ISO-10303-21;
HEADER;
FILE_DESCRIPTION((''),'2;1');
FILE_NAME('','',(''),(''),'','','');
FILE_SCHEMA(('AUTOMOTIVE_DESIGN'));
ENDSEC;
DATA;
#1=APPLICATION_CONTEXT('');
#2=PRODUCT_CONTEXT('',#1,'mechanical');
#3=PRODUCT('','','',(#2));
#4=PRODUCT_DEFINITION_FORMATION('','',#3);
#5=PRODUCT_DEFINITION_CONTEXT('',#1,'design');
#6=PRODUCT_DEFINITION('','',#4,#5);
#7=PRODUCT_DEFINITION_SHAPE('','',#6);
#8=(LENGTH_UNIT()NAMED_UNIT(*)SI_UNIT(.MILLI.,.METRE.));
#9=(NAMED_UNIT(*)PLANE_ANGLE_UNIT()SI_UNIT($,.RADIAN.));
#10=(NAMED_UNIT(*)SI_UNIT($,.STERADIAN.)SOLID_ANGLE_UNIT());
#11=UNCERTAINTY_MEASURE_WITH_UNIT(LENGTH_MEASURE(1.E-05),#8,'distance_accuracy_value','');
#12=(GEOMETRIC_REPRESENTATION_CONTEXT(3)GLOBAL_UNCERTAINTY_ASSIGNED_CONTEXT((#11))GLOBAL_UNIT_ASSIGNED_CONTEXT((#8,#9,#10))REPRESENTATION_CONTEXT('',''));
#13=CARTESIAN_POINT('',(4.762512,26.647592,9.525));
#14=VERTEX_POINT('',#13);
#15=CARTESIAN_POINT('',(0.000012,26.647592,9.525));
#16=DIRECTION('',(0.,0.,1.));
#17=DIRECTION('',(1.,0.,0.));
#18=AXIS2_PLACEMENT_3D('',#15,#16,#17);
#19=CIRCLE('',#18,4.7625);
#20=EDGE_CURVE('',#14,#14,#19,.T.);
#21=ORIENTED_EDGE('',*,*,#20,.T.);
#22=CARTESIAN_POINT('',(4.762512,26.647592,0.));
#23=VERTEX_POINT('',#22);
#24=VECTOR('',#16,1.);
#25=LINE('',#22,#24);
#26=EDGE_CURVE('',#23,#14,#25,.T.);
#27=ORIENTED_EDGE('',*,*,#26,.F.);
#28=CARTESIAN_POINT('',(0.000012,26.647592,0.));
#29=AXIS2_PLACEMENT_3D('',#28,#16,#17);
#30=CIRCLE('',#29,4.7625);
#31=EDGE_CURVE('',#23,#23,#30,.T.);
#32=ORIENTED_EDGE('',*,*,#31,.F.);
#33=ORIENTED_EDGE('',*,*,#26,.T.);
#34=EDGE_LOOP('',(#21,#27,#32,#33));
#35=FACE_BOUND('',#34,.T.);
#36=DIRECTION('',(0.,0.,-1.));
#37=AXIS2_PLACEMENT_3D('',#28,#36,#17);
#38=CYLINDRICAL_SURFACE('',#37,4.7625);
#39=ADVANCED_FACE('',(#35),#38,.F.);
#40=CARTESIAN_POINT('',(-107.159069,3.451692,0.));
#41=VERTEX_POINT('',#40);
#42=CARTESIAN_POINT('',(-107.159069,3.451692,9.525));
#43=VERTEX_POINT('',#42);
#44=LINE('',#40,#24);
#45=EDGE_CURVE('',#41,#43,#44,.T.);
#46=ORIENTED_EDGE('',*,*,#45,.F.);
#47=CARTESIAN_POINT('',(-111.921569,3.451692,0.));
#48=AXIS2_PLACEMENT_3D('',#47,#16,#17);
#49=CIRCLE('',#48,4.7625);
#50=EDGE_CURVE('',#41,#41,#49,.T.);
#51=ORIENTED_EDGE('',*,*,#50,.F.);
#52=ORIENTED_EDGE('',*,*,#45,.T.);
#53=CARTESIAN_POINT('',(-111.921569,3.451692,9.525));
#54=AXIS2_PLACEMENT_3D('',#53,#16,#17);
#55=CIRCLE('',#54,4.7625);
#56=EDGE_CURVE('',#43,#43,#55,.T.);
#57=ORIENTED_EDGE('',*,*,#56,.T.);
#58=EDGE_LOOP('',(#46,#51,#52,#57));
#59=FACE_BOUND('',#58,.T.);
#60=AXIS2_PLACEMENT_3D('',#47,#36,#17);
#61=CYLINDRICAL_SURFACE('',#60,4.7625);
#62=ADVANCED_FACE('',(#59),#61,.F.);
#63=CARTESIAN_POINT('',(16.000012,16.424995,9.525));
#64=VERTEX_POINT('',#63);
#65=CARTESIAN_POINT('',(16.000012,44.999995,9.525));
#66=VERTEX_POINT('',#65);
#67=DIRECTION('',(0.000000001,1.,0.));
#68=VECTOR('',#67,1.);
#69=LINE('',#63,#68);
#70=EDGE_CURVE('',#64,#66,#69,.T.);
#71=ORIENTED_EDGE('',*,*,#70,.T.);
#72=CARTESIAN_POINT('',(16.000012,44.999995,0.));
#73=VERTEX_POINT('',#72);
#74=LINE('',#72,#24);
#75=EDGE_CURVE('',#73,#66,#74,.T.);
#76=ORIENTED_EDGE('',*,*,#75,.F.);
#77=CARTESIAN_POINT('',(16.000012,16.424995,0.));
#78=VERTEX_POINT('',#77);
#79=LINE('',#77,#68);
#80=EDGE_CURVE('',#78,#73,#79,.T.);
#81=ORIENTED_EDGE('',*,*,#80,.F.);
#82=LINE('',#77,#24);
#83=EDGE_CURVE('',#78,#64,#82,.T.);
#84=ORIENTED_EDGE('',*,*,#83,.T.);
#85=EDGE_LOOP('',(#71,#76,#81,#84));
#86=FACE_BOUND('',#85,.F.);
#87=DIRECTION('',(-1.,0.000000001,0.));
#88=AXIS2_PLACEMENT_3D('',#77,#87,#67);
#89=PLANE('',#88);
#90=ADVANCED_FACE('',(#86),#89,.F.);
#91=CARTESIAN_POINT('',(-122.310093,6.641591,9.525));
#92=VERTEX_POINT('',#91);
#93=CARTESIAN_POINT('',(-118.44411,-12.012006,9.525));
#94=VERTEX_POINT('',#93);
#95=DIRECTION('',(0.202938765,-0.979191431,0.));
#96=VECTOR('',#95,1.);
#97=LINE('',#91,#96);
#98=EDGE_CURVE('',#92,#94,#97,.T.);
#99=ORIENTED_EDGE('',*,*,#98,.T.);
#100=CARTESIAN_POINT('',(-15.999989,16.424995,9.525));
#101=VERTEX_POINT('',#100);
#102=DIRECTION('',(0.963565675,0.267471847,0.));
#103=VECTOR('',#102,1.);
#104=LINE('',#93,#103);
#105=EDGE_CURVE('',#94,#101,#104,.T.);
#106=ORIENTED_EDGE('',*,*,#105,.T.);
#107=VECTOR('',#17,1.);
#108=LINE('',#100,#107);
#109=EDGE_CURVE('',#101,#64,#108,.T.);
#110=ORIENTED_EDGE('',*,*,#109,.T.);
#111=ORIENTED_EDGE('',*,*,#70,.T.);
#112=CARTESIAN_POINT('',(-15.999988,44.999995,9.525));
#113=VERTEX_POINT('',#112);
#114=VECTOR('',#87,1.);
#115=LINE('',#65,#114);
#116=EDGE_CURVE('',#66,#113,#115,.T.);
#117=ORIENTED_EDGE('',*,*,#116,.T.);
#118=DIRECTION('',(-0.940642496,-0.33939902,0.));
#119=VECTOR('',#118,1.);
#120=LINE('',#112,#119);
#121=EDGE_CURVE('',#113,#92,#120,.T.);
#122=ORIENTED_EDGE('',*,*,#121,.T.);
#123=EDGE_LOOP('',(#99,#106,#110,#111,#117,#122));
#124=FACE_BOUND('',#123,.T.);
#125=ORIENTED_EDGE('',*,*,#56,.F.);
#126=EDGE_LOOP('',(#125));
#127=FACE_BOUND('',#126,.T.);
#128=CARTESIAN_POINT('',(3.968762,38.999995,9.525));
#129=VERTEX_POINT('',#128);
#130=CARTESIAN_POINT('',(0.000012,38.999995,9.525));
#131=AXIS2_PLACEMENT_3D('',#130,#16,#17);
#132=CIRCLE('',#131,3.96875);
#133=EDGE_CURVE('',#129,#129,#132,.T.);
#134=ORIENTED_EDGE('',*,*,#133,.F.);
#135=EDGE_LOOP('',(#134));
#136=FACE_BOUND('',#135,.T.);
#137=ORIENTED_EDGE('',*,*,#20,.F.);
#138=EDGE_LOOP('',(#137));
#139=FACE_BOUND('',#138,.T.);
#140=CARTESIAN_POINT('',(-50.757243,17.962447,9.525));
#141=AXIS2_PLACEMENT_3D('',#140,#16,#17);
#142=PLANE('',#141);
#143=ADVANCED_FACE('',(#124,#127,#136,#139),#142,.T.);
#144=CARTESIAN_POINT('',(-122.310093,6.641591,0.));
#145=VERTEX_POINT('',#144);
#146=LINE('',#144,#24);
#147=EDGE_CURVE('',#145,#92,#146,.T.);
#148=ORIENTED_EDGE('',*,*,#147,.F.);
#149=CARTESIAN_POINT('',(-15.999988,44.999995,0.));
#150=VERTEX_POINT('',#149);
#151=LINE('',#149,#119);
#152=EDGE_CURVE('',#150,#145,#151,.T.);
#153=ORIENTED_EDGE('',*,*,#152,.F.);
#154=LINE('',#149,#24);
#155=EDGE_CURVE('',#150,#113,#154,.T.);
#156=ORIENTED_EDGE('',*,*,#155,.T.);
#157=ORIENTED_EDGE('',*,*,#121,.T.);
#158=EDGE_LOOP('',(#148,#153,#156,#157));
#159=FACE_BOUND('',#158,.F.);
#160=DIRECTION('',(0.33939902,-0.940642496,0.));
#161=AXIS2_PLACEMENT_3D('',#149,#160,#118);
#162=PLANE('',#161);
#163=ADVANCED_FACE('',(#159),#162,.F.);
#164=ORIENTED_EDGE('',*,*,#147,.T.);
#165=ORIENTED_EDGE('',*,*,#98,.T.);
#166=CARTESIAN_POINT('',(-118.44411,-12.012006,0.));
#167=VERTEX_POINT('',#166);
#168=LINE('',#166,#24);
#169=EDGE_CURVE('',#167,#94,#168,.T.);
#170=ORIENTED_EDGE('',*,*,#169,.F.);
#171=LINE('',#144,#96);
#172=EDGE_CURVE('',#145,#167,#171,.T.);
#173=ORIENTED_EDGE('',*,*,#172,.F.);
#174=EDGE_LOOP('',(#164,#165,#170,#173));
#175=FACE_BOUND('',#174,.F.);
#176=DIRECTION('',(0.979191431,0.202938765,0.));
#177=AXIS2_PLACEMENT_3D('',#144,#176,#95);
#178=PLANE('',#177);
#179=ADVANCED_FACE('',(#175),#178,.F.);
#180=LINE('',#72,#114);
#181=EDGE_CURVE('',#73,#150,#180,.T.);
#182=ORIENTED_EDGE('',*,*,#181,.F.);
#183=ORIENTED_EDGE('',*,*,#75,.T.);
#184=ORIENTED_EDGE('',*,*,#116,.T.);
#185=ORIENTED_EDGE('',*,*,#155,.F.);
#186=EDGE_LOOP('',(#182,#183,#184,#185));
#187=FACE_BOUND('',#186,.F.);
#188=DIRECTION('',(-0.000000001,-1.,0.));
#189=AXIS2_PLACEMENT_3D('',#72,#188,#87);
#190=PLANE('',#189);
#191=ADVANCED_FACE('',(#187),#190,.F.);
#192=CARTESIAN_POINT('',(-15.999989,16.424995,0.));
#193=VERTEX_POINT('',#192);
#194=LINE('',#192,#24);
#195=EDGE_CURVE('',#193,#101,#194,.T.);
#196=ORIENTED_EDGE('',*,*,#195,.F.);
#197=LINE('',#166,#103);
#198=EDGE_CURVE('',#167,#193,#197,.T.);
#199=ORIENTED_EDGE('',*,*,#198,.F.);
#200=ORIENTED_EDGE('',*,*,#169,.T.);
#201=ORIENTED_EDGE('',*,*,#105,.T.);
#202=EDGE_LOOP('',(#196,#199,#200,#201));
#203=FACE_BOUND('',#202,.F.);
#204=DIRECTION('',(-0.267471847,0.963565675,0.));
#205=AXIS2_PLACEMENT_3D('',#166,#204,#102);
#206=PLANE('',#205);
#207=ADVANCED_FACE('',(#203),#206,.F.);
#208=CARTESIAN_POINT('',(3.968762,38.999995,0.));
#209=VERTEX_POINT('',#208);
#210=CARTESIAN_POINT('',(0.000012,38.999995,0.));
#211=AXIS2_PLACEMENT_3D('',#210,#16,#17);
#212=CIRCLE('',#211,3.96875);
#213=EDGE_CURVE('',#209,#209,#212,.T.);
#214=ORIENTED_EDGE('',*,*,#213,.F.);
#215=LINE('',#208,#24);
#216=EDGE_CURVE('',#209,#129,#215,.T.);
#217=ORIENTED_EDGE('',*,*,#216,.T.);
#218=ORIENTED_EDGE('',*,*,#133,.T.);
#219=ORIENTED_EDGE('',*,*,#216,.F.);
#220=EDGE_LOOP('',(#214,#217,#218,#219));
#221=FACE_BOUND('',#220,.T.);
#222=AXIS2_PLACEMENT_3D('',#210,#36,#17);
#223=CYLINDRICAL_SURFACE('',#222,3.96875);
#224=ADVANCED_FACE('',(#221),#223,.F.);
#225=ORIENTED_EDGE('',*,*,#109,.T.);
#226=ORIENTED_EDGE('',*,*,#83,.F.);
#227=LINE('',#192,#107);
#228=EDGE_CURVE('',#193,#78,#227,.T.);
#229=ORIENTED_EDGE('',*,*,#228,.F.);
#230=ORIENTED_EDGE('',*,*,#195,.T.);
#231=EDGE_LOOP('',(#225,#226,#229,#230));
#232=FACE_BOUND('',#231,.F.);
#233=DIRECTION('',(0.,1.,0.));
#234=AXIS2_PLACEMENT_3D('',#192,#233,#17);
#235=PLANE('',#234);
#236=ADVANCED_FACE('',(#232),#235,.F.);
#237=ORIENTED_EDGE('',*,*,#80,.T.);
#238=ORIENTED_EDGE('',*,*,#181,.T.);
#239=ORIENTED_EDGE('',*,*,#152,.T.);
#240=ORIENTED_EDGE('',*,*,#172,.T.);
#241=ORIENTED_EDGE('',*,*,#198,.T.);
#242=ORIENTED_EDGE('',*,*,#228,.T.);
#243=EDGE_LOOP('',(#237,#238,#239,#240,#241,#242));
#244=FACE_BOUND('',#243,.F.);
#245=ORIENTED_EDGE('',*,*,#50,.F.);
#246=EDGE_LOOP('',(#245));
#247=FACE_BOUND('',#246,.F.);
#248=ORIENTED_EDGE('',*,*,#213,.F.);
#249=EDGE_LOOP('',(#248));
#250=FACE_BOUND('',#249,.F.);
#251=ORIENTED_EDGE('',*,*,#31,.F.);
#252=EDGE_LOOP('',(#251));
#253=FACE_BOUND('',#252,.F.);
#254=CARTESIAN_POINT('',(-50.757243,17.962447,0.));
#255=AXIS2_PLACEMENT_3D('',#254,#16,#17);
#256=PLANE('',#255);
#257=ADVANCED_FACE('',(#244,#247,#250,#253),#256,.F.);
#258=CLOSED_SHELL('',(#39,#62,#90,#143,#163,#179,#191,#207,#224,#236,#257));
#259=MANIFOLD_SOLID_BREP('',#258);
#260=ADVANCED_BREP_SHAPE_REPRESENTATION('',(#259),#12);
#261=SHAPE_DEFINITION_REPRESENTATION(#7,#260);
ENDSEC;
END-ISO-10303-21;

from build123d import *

# Parameters (mm, degrees)
SKETCH1_R           = 3.968749999
SKETCH1_R_2         = 4.762500002
BOSS_EXTRUDE1_DEPTH = 9.525


with BuildPart() as part:
    # Sketch1 → Boss-Extrude1 (new body)
    with BuildSketch(Plane.XY):
        Polygon((-15.999988255, 44.999995413), (-122.310093321, 6.641590837), (-118.444109854, -12.012005917), (-15.999988572, 16.424995395), (16.000011727, 16.424995395), (16.000011745, 44.999995395), align=None)
        with Locations((1.1741e-05, 38.999995404)):
            Circle(SKETCH1_R, mode=Mode.SUBTRACT)
        with Locations((1.1734e-05, 26.647592444)):
            Circle(SKETCH1_R_2, mode=Mode.SUBTRACT)
        with Locations((-111.921568786, 3.451691645)):
            Circle(SKETCH1_R_2, mode=Mode.SUBTRACT)
    extrude(amount=BOSS_EXTRUDE1_DEPTH)


solid = part.part
